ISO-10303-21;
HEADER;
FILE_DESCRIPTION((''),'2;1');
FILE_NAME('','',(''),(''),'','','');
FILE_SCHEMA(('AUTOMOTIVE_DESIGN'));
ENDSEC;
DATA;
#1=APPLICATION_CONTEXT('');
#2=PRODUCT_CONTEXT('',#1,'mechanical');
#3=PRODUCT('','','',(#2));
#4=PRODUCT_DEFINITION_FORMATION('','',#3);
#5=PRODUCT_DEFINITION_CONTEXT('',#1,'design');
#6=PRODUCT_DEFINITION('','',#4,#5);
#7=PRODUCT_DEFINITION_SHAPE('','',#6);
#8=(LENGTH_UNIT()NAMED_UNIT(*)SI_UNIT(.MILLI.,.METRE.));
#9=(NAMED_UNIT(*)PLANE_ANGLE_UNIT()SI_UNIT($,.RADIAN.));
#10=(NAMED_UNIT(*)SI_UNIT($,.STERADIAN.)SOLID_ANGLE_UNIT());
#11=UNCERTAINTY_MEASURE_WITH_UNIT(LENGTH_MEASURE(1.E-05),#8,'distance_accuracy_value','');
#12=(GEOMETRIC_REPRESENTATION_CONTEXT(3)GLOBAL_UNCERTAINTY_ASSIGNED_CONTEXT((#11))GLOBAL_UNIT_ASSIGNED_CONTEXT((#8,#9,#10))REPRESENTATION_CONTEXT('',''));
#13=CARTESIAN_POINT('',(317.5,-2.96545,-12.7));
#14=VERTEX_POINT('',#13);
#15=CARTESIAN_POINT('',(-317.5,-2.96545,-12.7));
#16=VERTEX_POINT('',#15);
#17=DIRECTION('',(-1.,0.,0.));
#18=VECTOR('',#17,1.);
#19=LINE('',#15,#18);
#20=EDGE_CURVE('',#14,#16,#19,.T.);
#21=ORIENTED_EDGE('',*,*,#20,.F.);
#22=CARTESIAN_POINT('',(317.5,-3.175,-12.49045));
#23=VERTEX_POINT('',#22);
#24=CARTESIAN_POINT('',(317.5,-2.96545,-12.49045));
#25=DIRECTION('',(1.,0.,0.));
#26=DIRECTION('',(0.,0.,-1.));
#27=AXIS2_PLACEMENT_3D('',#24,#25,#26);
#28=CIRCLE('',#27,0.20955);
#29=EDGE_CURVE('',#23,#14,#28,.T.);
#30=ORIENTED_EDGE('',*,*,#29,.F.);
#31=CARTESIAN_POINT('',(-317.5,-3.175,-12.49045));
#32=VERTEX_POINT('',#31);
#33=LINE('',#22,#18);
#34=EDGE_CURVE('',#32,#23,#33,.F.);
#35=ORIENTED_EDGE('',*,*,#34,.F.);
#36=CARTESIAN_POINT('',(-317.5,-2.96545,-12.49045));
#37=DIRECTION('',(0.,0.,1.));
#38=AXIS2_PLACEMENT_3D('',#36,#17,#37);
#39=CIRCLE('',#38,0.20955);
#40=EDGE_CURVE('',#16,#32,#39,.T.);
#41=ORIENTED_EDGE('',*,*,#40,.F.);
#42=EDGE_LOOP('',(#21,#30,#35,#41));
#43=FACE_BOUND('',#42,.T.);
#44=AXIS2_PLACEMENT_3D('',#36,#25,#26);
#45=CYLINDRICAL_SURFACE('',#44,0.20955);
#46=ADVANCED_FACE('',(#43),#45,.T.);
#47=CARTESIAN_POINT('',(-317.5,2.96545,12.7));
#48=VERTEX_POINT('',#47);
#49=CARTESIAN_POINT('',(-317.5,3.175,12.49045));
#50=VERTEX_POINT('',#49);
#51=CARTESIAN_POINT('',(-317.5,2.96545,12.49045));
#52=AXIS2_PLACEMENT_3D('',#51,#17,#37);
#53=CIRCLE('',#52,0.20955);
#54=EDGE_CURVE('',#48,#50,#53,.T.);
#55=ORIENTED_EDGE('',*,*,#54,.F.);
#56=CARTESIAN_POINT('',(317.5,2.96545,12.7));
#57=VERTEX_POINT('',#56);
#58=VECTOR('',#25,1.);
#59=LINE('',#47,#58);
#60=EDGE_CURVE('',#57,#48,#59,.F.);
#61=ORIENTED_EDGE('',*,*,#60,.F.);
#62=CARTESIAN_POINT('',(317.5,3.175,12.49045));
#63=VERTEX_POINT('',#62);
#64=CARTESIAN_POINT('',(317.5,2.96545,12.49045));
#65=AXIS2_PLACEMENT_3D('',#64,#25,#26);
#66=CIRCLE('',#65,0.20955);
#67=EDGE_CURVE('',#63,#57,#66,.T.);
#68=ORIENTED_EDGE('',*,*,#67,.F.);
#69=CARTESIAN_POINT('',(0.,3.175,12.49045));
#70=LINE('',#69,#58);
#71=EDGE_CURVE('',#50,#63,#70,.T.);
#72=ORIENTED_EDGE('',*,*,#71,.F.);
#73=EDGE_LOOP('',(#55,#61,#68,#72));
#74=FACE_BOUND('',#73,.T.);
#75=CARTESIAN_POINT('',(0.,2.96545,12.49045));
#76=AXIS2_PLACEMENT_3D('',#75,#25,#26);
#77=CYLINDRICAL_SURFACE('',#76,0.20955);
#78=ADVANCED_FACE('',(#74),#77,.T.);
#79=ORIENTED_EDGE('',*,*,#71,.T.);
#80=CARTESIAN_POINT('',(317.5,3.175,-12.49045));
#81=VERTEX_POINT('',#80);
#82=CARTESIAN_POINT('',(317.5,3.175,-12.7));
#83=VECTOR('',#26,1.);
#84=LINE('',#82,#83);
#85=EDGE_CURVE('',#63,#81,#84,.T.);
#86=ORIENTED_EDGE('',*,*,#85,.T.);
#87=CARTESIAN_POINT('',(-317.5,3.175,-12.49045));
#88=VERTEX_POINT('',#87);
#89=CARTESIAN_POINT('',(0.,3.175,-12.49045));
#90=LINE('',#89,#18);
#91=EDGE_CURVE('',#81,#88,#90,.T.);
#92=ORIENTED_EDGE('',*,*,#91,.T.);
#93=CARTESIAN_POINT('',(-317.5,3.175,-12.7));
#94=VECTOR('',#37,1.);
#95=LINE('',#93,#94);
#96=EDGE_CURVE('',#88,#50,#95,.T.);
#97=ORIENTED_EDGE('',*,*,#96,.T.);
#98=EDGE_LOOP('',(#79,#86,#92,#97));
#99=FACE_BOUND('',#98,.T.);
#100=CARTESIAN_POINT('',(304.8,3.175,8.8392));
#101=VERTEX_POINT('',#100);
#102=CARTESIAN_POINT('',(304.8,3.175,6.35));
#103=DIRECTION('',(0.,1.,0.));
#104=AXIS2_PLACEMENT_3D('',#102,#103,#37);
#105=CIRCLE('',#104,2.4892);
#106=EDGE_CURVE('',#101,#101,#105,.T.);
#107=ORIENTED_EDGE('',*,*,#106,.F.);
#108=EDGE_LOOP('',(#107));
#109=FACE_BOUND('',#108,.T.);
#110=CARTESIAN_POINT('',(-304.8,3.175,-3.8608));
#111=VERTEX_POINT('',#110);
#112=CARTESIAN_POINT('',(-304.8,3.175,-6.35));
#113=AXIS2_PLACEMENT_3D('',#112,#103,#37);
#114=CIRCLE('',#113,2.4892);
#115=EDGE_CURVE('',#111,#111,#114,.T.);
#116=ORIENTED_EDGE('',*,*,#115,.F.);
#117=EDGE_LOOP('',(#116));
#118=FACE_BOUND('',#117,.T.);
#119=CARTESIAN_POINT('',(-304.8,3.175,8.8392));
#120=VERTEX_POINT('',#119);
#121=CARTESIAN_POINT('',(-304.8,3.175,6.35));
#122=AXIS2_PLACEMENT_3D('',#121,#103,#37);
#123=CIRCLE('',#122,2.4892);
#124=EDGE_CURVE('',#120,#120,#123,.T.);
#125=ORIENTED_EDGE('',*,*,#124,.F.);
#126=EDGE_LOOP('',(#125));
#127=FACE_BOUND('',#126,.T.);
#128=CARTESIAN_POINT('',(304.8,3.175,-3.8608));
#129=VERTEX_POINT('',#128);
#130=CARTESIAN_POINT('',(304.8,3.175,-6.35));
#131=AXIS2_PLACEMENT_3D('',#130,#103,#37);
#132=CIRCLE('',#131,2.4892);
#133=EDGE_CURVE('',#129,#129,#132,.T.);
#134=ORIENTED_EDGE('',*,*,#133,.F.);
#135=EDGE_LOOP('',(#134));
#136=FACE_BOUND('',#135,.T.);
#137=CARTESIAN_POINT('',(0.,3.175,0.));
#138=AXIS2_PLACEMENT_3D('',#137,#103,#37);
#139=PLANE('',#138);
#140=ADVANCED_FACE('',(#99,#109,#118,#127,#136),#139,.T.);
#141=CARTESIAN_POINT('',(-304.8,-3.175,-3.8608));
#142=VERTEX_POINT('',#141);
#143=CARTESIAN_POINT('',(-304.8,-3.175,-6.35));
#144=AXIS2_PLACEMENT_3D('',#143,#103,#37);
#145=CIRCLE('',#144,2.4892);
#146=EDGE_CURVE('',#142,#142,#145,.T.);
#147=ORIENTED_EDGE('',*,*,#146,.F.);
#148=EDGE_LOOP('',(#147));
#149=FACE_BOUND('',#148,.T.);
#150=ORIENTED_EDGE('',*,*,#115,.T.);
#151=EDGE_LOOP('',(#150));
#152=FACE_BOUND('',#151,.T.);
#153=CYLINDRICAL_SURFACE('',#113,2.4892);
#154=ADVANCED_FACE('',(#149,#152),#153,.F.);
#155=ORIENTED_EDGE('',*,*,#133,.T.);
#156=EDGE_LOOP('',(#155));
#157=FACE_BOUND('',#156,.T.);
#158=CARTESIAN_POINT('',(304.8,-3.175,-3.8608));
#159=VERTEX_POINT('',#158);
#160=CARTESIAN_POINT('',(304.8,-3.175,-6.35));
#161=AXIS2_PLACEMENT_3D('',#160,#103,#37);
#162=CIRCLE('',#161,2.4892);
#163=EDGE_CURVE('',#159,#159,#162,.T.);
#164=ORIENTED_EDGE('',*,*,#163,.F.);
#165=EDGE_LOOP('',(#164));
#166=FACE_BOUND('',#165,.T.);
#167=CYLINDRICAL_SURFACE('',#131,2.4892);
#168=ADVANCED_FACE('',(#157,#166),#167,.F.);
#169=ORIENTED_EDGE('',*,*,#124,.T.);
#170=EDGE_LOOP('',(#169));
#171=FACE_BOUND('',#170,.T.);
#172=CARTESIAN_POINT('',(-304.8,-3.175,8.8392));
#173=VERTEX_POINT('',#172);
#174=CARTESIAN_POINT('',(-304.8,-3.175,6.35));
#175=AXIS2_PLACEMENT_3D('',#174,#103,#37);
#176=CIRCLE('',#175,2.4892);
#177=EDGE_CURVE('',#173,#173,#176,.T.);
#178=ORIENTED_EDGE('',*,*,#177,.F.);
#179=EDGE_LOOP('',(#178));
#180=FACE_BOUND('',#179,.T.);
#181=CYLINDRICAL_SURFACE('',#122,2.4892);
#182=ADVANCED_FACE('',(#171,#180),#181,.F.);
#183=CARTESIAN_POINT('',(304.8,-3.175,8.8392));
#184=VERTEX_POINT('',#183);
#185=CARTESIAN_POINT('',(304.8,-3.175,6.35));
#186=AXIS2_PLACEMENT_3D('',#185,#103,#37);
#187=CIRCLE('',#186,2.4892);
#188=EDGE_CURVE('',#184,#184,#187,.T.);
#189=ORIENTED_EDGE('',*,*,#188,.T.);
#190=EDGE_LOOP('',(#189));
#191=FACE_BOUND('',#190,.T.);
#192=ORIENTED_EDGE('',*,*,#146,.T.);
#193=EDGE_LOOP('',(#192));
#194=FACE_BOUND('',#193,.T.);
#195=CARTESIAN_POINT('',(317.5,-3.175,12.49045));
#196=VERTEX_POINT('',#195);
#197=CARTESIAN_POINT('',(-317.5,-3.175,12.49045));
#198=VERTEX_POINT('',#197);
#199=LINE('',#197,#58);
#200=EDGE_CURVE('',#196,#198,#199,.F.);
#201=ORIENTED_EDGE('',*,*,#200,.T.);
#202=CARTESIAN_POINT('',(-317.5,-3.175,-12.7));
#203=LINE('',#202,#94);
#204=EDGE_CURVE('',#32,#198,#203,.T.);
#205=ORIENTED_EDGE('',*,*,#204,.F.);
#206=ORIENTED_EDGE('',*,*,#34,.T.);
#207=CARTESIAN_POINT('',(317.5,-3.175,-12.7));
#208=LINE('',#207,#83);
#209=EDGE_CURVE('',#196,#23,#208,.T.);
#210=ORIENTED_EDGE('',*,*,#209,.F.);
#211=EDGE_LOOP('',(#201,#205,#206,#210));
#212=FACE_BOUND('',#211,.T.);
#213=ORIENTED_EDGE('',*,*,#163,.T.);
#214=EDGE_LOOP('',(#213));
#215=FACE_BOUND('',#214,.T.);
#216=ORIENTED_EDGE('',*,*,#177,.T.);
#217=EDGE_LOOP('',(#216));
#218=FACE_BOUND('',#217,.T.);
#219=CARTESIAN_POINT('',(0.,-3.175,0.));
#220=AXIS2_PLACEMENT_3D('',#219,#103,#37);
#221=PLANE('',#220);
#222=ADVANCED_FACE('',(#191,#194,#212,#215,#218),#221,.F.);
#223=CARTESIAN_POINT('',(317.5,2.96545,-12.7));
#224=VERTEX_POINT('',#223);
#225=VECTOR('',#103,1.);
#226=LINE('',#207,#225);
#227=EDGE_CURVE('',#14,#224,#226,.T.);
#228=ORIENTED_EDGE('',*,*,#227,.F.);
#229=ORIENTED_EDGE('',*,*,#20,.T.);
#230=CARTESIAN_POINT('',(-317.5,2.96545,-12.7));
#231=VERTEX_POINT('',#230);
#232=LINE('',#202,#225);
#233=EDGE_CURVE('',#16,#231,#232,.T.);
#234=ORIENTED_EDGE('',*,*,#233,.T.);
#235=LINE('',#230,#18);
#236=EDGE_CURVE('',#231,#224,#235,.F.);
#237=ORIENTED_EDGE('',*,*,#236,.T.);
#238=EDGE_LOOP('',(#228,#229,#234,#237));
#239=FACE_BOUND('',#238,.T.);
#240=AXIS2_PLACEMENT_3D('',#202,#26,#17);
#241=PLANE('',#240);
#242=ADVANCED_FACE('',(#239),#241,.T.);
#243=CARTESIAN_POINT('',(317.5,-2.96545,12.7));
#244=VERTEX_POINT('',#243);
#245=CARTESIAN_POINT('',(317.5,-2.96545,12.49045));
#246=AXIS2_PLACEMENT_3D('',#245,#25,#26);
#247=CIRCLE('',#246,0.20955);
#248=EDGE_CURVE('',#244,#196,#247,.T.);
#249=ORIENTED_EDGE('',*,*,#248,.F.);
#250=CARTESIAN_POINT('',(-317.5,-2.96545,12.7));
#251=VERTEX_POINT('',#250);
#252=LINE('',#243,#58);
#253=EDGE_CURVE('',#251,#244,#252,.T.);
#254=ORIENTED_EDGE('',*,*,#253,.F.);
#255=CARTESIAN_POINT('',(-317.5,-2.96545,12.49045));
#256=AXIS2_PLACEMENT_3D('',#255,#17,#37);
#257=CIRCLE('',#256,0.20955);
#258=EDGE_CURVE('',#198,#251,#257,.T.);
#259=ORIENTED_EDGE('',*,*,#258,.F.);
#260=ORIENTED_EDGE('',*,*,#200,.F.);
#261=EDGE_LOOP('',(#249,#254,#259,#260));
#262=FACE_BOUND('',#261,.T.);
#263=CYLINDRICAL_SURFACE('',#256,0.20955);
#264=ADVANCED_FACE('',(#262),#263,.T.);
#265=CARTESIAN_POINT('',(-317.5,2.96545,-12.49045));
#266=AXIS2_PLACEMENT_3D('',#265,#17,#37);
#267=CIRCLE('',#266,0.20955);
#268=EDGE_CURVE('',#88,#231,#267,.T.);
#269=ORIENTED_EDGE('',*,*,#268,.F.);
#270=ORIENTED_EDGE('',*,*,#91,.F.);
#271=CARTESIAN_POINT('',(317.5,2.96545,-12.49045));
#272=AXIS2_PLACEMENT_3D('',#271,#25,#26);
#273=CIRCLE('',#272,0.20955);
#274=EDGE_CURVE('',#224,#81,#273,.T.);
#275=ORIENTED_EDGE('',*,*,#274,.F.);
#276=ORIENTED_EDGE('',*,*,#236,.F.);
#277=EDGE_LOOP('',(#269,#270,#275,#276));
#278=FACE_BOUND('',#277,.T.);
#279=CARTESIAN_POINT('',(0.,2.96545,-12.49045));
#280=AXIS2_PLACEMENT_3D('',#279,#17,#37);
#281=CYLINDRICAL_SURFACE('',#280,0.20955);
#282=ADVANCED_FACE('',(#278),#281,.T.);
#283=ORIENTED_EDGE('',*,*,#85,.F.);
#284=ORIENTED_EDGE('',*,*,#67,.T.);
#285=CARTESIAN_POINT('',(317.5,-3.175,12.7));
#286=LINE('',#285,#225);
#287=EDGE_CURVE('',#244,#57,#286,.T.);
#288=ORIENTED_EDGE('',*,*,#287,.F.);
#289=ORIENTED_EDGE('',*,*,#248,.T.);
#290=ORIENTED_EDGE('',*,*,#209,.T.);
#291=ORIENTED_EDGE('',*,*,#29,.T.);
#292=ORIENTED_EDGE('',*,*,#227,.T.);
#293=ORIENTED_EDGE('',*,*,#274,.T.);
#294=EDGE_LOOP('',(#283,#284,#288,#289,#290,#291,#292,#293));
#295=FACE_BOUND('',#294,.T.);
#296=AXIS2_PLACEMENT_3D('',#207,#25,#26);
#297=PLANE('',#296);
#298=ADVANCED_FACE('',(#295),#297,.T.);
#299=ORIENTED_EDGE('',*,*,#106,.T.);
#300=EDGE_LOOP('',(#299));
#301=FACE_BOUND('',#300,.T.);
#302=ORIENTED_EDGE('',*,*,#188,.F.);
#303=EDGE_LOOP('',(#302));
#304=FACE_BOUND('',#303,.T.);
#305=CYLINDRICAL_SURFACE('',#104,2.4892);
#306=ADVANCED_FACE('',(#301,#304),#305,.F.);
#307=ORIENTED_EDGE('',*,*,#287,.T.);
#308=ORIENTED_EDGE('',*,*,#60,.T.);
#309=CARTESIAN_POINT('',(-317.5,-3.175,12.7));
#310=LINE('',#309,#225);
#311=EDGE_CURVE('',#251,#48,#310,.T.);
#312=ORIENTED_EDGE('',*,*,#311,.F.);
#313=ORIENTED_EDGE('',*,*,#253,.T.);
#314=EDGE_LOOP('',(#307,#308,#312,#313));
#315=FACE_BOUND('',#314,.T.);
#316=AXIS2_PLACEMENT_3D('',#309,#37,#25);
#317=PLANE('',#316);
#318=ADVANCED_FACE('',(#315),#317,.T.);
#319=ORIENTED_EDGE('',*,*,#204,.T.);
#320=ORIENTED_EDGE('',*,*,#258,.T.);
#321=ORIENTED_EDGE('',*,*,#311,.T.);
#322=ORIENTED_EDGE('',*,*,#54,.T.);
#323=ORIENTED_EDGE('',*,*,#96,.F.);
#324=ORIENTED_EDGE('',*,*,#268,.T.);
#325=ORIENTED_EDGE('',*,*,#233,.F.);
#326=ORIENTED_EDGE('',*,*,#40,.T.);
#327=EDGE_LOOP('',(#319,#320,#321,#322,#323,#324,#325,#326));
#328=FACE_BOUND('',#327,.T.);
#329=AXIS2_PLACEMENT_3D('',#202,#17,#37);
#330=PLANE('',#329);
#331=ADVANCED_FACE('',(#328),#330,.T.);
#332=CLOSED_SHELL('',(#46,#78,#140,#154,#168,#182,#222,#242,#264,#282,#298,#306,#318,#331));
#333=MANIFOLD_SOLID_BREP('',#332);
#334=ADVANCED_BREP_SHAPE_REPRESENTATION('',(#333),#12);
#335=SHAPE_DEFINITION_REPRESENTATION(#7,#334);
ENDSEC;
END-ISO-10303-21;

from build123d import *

# Parameters (mm, degrees)
BOSS_EXTRUDE1_DEPTH      = 3.175
BOSS_EXTRUDE1_DEPTH_BACK = 3.175
SKETCH3_W                = 635
SKETCH3_H                = 25.4
FILLET1_R                = 0.20955
F_10_CLEARANCE_HOLE1_D   = 4.9784


with BuildPart() as part:
    # Sketch3 → Boss-Extrude1 (new, two sides: drawn at the far end of the back side and taken through both)
    with BuildSketch(Plane(origin=(0, 0, 0), x_dir=(1, 0, 0), z_dir=(0, 1, 0)).offset(-BOSS_EXTRUDE1_DEPTH_BACK)):
        Rectangle(SKETCH3_W, SKETCH3_H)
    extrude(amount=BOSS_EXTRUDE1_DEPTH + BOSS_EXTRUDE1_DEPTH_BACK)

    # Fillet1
    fillet1_edges = [part.edges().sort_by_distance(p)[0] for p in [
        (0, 3.175, 12.7),
        (0, -3.175, -12.7),
        (0, 3.175, -12.7),
        (0, -3.175, 12.7),
    ]]
    fillet(fillet1_edges, radius=FILLET1_R)

    # #10 Clearance Hole1 (through all)
    with Locations(Plane(origin=(0, 3.175, 0), x_dir=(1, 0, 0), z_dir=(0, 1, 0))):
        with Locations((304.8, -6.35), (-304.8, -6.35), (304.8, 6.35), (-304.8, 6.35)):
            Hole(F_10_CLEARANCE_HOLE1_D / 2)


solid = part.part
